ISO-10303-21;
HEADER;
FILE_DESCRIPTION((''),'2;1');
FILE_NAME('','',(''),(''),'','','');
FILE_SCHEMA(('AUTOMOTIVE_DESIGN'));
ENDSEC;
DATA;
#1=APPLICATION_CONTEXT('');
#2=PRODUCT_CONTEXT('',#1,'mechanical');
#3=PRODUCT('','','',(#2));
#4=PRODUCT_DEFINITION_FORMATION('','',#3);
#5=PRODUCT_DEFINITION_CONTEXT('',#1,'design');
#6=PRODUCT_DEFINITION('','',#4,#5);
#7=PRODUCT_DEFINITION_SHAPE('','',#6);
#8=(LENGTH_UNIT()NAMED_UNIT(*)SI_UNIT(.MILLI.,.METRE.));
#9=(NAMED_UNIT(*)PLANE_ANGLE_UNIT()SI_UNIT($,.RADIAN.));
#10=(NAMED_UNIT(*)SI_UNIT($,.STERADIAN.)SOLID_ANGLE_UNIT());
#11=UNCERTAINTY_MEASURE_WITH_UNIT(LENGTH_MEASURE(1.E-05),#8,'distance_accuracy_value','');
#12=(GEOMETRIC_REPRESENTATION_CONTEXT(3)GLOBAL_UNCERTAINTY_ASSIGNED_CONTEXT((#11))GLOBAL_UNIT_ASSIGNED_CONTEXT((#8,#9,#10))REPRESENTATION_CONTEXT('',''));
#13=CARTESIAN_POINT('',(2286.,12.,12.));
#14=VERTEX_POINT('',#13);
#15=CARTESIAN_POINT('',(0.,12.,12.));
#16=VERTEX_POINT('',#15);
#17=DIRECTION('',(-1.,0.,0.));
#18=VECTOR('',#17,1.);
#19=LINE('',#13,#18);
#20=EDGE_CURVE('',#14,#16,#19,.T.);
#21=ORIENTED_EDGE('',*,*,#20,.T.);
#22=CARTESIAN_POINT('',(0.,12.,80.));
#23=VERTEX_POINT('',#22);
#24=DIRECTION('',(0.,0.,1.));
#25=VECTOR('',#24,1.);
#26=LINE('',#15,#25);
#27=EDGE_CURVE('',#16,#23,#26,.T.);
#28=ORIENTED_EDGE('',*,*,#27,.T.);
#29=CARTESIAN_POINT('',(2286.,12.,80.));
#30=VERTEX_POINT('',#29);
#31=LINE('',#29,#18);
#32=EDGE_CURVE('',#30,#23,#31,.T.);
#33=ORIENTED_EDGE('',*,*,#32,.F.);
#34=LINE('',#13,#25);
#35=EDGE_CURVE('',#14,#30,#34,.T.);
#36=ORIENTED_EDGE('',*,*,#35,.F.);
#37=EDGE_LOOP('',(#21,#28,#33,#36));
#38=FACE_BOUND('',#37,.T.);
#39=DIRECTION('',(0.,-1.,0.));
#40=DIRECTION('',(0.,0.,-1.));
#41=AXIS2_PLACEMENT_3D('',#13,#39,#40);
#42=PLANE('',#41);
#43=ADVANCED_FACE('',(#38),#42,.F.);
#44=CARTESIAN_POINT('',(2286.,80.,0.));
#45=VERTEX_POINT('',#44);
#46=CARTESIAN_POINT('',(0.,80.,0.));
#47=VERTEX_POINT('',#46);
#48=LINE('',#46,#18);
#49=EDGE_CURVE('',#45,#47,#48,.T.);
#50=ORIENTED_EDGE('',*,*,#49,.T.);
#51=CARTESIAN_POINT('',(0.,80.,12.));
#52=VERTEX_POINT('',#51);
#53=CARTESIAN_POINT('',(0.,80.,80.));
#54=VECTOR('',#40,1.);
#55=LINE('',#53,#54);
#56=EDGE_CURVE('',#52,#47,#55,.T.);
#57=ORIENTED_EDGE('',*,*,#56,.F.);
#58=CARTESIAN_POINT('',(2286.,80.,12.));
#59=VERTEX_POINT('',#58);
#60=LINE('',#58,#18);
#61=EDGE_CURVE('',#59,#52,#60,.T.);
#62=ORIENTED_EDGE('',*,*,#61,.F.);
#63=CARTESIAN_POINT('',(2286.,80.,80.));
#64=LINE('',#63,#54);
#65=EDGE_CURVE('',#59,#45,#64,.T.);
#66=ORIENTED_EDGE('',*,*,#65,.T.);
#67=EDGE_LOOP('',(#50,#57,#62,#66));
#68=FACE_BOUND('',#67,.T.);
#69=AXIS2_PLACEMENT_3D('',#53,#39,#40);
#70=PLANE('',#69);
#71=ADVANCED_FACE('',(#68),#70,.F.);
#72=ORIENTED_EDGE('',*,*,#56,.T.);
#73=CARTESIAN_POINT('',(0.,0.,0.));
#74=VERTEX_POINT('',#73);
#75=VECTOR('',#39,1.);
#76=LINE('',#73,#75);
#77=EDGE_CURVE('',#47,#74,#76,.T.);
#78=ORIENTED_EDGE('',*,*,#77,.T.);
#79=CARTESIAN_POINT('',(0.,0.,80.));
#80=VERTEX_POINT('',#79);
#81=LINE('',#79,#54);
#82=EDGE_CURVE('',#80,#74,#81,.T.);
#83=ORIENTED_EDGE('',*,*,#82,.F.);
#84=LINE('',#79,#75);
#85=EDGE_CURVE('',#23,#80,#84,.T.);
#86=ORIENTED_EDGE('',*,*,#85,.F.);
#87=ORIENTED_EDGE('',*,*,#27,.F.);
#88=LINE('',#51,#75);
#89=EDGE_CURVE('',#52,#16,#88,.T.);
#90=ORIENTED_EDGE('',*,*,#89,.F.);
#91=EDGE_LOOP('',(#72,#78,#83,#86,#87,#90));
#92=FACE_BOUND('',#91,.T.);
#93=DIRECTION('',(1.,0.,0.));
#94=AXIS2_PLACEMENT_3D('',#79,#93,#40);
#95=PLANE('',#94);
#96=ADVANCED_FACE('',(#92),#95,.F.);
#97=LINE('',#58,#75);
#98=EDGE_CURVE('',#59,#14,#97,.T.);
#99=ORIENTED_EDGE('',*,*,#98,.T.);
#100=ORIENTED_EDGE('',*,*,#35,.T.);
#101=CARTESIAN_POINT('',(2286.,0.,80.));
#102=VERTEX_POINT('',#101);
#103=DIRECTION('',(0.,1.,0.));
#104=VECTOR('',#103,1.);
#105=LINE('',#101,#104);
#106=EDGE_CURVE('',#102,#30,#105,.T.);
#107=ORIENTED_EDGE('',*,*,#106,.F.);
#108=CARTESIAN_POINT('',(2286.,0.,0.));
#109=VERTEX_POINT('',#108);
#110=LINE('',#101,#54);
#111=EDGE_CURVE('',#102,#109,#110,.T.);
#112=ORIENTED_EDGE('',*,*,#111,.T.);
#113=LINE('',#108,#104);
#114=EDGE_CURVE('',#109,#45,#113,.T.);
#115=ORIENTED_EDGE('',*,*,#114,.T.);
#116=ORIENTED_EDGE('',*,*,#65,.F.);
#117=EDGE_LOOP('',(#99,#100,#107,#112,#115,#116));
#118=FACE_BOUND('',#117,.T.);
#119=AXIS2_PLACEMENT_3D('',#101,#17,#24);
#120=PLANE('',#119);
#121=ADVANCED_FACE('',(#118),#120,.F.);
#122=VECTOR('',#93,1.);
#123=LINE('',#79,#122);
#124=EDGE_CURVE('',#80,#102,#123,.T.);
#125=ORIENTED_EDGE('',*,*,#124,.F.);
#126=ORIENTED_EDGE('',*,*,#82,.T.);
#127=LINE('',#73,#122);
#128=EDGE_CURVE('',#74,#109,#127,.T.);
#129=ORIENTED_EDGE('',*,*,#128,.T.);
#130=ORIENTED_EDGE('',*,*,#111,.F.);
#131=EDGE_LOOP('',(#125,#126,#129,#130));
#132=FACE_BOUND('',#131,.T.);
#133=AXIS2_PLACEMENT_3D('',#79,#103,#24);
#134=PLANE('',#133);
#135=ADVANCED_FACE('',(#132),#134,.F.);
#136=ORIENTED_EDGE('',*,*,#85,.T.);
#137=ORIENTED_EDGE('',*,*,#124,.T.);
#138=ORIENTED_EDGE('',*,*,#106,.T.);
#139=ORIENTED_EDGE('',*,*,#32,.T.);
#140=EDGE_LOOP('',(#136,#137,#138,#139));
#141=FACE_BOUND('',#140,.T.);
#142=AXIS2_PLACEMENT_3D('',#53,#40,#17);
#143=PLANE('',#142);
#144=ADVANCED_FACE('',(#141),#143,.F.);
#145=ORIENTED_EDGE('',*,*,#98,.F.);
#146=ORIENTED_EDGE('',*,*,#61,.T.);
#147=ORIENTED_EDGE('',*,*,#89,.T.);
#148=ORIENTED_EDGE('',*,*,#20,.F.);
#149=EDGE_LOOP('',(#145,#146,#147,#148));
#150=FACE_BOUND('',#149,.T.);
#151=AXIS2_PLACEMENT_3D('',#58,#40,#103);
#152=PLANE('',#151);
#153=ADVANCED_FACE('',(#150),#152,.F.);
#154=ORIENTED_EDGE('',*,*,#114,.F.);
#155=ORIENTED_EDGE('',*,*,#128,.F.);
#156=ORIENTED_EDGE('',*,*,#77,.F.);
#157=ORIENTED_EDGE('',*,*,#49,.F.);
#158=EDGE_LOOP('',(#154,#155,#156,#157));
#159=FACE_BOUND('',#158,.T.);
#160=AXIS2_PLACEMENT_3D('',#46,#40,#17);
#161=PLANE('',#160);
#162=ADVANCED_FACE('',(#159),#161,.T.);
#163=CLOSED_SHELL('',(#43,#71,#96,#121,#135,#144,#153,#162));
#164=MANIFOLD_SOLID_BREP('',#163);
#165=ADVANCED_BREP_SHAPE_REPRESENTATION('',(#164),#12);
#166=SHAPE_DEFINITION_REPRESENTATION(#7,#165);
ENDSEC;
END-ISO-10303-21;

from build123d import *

# Parameters (mm, degrees)
SKETCH_1_W          = 2286
SKETCH_1_H          = 80
EXTRUDE_1_DEPTH     = 80
SKETCH_3_W          = 68
SKETCH_3_H          = 68
CUT_EXTRUDE_2_DEPTH = 2289.797937783


with BuildPart() as part:
    # 草图1 → 拉伸1 (new body)
    with BuildSketch(Plane.XY):
        with Locations((1143, 40)):
            Rectangle(SKETCH_1_W, SKETCH_1_H)
    extrude(amount=EXTRUDE_1_DEPTH)

    # 草图3 → 拉伸2 (cut, through all)
    with BuildSketch(Plane.ZY):
        with Locations((46, 46)):
            Rectangle(SKETCH_3_W, SKETCH_3_H)
    extrude(amount=-CUT_EXTRUDE_2_DEPTH, mode=Mode.SUBTRACT)


solid = part.part
